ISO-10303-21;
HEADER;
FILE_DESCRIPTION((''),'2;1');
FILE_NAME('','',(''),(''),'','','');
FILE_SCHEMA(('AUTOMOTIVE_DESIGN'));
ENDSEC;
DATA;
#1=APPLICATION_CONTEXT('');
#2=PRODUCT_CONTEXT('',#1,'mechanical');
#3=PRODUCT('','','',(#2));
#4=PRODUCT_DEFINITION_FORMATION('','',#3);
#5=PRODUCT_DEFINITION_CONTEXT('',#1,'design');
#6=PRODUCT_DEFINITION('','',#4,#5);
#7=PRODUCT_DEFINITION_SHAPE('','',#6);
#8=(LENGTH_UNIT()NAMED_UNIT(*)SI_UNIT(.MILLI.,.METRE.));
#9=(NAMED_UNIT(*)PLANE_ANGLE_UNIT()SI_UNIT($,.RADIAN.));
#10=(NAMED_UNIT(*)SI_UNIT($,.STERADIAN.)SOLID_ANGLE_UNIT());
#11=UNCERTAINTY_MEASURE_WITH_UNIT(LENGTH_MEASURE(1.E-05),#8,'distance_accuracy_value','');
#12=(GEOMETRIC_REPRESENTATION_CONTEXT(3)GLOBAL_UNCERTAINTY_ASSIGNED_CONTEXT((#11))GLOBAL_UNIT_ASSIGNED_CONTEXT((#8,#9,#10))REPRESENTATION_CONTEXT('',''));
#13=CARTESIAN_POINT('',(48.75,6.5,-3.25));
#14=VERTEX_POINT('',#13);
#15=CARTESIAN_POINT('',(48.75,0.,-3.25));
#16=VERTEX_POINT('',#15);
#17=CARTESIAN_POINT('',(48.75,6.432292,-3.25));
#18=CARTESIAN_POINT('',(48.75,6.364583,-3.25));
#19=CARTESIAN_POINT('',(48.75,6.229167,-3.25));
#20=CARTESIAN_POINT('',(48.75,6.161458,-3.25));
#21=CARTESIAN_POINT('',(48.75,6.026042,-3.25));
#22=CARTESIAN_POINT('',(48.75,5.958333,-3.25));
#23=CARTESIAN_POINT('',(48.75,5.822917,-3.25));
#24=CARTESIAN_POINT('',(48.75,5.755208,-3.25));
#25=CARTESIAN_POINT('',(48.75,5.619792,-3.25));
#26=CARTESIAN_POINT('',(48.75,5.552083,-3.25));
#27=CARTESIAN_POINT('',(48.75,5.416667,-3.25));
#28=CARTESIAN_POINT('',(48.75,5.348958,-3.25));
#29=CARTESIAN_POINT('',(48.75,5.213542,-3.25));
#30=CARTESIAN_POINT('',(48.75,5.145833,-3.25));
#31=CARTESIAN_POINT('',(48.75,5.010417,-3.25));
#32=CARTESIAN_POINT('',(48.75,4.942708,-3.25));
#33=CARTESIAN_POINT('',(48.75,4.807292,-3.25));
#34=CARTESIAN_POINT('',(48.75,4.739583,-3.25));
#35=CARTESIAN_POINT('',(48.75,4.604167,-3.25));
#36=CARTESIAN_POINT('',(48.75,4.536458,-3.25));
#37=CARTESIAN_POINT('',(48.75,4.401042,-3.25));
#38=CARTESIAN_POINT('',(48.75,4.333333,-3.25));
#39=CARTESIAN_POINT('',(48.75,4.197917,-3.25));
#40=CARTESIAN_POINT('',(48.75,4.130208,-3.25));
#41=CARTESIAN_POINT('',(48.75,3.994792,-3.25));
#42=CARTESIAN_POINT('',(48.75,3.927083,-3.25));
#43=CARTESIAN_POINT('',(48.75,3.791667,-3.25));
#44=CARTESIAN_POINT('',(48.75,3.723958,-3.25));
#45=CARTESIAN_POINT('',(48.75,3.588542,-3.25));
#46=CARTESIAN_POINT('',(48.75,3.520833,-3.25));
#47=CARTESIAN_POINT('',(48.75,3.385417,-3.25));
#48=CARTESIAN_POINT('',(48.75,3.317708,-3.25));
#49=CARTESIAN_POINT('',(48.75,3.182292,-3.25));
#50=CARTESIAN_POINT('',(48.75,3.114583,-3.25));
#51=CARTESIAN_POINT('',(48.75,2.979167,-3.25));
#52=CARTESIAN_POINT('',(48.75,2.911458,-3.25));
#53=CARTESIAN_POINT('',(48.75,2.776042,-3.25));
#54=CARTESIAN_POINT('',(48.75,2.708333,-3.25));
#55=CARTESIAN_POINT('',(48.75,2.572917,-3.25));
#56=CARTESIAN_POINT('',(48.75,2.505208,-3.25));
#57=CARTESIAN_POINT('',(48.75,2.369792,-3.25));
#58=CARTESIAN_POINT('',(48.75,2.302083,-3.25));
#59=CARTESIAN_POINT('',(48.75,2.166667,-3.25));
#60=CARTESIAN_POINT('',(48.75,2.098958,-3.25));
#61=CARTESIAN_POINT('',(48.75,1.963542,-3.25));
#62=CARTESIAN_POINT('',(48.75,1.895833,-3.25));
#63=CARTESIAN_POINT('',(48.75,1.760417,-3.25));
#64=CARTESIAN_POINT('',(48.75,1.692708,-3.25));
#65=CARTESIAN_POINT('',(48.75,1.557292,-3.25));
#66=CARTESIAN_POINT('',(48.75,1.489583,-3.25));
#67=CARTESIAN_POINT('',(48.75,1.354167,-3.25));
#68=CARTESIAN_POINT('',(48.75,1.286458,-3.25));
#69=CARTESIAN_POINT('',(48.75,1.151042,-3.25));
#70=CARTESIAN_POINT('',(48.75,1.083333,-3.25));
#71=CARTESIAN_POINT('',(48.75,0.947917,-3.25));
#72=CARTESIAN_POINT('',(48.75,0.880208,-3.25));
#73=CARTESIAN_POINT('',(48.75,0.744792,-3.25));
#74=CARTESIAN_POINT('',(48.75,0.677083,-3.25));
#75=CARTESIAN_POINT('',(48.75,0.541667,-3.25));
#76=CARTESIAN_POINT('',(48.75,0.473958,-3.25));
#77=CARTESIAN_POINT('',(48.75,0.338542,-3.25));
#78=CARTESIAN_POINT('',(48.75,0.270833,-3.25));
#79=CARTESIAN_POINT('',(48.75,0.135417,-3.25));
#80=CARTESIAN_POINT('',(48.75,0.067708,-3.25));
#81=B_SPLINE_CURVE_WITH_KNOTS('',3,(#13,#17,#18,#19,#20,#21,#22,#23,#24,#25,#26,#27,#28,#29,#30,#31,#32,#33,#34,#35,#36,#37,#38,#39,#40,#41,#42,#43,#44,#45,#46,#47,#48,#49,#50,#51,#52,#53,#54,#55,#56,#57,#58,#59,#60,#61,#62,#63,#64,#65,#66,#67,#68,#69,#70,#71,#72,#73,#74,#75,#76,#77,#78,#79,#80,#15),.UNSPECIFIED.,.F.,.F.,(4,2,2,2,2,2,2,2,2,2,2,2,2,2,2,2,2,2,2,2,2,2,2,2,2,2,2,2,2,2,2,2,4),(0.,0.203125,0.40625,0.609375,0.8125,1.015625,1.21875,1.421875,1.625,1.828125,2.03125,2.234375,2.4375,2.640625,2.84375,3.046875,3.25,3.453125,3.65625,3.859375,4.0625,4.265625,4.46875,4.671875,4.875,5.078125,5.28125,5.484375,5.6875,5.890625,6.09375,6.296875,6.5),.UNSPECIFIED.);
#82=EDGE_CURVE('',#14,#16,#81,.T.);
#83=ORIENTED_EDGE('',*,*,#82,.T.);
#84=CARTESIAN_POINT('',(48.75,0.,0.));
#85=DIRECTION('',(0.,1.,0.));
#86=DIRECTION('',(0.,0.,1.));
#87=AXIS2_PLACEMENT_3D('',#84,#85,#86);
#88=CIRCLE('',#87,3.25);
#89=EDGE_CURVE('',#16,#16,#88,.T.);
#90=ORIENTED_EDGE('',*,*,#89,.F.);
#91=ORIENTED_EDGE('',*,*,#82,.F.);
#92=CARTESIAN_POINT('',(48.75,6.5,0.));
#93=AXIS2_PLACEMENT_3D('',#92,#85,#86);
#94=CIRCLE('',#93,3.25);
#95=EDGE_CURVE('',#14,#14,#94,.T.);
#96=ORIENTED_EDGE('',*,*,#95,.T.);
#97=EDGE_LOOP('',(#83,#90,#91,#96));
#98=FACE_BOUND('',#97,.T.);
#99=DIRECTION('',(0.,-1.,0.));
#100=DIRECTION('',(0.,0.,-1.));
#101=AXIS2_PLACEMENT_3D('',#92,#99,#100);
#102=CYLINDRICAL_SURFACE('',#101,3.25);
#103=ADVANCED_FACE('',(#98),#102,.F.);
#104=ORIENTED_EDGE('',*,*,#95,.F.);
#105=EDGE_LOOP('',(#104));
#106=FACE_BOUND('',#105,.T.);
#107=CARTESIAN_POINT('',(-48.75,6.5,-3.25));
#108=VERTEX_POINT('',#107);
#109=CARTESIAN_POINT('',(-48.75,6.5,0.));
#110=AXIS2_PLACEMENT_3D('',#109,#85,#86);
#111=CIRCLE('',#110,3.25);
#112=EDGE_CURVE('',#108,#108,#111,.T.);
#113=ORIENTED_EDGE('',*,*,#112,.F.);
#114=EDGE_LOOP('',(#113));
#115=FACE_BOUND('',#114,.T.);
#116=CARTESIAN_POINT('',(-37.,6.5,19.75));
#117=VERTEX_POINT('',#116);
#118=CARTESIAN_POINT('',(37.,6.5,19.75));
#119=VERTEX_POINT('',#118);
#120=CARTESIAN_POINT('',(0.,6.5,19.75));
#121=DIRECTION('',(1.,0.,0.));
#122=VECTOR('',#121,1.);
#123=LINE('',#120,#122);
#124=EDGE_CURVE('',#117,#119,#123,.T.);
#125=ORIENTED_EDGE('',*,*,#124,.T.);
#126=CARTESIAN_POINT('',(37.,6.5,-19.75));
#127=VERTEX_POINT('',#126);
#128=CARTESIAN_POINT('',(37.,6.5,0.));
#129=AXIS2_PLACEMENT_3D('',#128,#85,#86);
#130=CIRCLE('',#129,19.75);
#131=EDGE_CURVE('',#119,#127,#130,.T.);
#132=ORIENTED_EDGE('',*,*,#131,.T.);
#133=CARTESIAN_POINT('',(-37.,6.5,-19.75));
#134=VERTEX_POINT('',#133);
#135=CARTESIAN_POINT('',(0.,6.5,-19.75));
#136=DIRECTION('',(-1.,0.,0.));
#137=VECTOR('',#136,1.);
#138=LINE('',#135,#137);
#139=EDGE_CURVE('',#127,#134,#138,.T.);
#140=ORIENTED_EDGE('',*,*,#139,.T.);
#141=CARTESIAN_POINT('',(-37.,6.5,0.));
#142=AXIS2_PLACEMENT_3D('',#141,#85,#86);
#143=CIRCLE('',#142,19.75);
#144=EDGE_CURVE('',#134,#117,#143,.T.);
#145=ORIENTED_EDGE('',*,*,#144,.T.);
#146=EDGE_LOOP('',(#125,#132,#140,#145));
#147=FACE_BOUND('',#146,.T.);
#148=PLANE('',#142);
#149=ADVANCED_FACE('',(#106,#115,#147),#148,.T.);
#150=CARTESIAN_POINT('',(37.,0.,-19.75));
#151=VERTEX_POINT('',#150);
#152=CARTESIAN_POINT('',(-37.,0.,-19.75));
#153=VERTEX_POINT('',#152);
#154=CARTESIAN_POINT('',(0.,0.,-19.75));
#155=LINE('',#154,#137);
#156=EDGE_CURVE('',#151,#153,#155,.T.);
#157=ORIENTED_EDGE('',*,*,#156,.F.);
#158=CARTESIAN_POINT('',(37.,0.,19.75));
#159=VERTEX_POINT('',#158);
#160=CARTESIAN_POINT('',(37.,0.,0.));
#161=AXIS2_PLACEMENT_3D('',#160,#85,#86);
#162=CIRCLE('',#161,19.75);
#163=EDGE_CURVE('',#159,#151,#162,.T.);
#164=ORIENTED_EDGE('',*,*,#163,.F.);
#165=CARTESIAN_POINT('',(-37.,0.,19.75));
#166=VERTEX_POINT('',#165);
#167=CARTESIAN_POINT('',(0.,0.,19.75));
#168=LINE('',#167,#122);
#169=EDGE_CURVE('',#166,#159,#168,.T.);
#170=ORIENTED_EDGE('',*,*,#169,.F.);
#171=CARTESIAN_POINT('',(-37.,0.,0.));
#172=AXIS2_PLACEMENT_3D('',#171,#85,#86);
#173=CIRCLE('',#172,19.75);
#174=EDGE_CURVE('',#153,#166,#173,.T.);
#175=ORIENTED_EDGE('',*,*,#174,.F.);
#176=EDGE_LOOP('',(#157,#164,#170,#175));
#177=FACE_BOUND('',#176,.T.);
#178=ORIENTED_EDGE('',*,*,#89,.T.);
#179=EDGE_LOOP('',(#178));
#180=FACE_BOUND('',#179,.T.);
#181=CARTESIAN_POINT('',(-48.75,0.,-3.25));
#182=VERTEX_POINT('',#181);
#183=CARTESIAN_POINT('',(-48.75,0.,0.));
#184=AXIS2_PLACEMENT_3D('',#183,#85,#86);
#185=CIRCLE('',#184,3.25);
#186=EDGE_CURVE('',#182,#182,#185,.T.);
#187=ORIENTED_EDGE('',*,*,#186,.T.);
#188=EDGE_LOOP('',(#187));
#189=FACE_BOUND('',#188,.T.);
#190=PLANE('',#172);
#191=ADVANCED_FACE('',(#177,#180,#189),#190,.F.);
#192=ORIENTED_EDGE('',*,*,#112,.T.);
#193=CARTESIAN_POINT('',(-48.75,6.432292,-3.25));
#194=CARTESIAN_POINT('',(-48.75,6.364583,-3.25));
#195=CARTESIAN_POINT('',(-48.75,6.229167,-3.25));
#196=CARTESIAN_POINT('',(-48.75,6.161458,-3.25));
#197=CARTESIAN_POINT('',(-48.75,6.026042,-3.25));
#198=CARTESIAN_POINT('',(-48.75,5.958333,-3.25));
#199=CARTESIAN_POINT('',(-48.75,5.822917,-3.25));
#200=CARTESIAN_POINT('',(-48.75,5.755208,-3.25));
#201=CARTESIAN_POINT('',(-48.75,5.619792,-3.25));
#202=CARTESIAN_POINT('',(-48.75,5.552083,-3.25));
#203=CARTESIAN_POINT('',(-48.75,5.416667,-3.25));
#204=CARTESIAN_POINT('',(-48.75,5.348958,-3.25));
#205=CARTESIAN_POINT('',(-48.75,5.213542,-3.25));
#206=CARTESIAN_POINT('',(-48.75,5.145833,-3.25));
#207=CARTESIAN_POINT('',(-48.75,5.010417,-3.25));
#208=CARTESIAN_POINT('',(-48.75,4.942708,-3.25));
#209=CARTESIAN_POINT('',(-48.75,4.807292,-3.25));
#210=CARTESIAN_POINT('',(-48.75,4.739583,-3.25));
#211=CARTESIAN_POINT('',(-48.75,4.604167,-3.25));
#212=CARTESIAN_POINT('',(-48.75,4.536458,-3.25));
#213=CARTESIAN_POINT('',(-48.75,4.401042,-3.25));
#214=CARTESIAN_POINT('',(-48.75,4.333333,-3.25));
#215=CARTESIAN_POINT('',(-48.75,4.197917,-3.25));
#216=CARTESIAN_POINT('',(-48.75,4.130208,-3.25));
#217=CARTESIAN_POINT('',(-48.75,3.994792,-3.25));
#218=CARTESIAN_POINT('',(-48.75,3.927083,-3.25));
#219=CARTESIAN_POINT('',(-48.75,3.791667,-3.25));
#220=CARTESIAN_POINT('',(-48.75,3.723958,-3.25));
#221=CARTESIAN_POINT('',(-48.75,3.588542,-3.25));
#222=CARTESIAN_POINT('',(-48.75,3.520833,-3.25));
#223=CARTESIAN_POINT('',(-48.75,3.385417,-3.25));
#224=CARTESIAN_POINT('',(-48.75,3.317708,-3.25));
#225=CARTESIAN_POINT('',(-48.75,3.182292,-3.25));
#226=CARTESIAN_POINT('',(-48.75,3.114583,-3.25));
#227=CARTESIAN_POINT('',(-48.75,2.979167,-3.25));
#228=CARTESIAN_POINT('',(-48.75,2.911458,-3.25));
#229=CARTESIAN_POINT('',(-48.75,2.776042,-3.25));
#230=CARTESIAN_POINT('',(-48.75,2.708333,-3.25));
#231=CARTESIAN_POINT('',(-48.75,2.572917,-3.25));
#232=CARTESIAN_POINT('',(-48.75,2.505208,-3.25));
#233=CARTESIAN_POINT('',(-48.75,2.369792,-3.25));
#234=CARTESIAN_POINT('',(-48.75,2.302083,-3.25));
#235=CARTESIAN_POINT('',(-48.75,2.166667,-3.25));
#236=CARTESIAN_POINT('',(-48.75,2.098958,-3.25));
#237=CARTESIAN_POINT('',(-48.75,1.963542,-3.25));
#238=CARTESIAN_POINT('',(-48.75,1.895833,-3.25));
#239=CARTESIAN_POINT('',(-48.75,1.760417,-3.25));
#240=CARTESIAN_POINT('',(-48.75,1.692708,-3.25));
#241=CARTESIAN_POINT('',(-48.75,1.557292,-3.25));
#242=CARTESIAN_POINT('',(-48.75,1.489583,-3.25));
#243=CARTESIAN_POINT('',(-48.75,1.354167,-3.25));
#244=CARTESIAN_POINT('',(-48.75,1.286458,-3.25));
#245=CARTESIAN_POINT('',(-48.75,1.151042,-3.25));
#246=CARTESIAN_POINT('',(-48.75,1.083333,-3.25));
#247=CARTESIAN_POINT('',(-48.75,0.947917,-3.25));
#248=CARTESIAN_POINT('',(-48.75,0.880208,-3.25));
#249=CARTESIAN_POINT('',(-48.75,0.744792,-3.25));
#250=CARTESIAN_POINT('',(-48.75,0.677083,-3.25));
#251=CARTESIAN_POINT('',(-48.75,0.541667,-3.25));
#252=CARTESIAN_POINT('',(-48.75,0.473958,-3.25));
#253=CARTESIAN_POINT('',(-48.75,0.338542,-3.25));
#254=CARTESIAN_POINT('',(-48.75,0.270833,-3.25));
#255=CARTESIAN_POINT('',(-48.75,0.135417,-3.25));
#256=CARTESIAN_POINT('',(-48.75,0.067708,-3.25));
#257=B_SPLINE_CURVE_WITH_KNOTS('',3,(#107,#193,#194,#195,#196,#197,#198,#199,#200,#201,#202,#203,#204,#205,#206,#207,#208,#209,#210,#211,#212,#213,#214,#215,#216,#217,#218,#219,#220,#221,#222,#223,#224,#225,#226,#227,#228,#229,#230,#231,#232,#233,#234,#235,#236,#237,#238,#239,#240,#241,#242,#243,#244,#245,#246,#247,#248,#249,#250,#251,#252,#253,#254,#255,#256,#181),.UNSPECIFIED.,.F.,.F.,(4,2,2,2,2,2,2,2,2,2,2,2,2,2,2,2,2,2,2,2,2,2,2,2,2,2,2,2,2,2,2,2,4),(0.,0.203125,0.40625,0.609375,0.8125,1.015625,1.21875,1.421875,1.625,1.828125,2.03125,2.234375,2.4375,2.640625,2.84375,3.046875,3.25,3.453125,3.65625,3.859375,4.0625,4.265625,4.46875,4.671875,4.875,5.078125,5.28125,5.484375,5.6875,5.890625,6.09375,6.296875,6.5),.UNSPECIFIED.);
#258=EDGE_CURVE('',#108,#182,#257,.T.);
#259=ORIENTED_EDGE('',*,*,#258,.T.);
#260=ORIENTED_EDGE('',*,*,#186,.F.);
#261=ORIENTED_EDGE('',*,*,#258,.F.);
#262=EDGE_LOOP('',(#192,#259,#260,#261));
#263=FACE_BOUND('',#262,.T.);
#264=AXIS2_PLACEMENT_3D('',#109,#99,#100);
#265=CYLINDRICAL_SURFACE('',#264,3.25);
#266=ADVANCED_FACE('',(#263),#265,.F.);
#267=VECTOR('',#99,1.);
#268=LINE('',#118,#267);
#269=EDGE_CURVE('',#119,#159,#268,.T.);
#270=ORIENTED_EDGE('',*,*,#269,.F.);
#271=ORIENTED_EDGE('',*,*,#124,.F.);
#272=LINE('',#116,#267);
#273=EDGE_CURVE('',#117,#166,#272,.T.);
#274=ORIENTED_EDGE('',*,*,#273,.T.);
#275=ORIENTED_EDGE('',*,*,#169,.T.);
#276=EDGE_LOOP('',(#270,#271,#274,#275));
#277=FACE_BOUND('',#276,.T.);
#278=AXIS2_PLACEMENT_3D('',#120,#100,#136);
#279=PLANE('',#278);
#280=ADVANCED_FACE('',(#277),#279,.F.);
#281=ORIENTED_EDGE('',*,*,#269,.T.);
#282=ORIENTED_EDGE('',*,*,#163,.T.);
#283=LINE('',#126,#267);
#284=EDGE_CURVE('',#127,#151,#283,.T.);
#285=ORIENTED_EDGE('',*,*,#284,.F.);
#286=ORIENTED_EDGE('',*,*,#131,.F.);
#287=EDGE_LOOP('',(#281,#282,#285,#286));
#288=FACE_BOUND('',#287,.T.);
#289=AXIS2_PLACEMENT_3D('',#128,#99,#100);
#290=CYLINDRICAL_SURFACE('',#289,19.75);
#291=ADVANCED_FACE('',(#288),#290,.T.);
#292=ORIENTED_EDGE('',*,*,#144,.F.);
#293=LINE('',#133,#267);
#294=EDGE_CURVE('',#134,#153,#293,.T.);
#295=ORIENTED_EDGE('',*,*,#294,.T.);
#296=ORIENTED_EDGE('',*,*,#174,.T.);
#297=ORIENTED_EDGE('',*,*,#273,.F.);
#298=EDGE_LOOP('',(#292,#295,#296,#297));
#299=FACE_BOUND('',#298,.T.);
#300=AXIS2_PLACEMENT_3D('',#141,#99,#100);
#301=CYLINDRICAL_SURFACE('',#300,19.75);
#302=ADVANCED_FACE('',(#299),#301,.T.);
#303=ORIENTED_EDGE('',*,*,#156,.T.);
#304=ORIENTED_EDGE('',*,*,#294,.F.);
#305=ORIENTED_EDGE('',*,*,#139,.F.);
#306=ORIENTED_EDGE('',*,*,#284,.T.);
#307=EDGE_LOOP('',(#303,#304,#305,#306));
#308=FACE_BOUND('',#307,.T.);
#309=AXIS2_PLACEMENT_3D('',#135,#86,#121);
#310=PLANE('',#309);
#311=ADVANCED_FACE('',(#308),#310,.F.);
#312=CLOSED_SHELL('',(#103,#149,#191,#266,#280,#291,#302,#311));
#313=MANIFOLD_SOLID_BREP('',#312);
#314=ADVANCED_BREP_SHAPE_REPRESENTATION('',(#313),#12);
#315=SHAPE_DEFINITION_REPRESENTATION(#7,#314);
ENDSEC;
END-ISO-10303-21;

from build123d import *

# Parameters (mm, degrees)
SKETCH1_R           = 3.25
BOSS_EXTRUDE1_DEPTH = 6.5


with BuildPart() as part:
    # Sketch1 → Boss-Extrude1 (new body)
    with BuildSketch(Plane(origin=(0, 0, 0), x_dir=(1, 0, 0), z_dir=(0, 1, 0))):
        with BuildLine():
            Line((0, 19.75), (37, 19.75))
            ThreePointArc((37, 19.75), (56.75, 0), (37, -19.75))
            Line((37, -19.75), (0, -19.75))
            Line((0, -19.75), (-37, -19.75))
            ThreePointArc((-37, -19.75), (-56.75, 0), (-37, 19.75))
            Line((-37, 19.75), (0, 19.75))
        make_face()
        with Locations(Location((-48.75, 0, 0), (0, 0, 90))):
            Circle(SKETCH1_R, mode=Mode.SUBTRACT)
        with Locations(Location((48.75, 0, 0), (0, 0, 90))):
            Circle(SKETCH1_R, mode=Mode.SUBTRACT)
    extrude(amount=BOSS_EXTRUDE1_DEPTH)


solid = part.part
